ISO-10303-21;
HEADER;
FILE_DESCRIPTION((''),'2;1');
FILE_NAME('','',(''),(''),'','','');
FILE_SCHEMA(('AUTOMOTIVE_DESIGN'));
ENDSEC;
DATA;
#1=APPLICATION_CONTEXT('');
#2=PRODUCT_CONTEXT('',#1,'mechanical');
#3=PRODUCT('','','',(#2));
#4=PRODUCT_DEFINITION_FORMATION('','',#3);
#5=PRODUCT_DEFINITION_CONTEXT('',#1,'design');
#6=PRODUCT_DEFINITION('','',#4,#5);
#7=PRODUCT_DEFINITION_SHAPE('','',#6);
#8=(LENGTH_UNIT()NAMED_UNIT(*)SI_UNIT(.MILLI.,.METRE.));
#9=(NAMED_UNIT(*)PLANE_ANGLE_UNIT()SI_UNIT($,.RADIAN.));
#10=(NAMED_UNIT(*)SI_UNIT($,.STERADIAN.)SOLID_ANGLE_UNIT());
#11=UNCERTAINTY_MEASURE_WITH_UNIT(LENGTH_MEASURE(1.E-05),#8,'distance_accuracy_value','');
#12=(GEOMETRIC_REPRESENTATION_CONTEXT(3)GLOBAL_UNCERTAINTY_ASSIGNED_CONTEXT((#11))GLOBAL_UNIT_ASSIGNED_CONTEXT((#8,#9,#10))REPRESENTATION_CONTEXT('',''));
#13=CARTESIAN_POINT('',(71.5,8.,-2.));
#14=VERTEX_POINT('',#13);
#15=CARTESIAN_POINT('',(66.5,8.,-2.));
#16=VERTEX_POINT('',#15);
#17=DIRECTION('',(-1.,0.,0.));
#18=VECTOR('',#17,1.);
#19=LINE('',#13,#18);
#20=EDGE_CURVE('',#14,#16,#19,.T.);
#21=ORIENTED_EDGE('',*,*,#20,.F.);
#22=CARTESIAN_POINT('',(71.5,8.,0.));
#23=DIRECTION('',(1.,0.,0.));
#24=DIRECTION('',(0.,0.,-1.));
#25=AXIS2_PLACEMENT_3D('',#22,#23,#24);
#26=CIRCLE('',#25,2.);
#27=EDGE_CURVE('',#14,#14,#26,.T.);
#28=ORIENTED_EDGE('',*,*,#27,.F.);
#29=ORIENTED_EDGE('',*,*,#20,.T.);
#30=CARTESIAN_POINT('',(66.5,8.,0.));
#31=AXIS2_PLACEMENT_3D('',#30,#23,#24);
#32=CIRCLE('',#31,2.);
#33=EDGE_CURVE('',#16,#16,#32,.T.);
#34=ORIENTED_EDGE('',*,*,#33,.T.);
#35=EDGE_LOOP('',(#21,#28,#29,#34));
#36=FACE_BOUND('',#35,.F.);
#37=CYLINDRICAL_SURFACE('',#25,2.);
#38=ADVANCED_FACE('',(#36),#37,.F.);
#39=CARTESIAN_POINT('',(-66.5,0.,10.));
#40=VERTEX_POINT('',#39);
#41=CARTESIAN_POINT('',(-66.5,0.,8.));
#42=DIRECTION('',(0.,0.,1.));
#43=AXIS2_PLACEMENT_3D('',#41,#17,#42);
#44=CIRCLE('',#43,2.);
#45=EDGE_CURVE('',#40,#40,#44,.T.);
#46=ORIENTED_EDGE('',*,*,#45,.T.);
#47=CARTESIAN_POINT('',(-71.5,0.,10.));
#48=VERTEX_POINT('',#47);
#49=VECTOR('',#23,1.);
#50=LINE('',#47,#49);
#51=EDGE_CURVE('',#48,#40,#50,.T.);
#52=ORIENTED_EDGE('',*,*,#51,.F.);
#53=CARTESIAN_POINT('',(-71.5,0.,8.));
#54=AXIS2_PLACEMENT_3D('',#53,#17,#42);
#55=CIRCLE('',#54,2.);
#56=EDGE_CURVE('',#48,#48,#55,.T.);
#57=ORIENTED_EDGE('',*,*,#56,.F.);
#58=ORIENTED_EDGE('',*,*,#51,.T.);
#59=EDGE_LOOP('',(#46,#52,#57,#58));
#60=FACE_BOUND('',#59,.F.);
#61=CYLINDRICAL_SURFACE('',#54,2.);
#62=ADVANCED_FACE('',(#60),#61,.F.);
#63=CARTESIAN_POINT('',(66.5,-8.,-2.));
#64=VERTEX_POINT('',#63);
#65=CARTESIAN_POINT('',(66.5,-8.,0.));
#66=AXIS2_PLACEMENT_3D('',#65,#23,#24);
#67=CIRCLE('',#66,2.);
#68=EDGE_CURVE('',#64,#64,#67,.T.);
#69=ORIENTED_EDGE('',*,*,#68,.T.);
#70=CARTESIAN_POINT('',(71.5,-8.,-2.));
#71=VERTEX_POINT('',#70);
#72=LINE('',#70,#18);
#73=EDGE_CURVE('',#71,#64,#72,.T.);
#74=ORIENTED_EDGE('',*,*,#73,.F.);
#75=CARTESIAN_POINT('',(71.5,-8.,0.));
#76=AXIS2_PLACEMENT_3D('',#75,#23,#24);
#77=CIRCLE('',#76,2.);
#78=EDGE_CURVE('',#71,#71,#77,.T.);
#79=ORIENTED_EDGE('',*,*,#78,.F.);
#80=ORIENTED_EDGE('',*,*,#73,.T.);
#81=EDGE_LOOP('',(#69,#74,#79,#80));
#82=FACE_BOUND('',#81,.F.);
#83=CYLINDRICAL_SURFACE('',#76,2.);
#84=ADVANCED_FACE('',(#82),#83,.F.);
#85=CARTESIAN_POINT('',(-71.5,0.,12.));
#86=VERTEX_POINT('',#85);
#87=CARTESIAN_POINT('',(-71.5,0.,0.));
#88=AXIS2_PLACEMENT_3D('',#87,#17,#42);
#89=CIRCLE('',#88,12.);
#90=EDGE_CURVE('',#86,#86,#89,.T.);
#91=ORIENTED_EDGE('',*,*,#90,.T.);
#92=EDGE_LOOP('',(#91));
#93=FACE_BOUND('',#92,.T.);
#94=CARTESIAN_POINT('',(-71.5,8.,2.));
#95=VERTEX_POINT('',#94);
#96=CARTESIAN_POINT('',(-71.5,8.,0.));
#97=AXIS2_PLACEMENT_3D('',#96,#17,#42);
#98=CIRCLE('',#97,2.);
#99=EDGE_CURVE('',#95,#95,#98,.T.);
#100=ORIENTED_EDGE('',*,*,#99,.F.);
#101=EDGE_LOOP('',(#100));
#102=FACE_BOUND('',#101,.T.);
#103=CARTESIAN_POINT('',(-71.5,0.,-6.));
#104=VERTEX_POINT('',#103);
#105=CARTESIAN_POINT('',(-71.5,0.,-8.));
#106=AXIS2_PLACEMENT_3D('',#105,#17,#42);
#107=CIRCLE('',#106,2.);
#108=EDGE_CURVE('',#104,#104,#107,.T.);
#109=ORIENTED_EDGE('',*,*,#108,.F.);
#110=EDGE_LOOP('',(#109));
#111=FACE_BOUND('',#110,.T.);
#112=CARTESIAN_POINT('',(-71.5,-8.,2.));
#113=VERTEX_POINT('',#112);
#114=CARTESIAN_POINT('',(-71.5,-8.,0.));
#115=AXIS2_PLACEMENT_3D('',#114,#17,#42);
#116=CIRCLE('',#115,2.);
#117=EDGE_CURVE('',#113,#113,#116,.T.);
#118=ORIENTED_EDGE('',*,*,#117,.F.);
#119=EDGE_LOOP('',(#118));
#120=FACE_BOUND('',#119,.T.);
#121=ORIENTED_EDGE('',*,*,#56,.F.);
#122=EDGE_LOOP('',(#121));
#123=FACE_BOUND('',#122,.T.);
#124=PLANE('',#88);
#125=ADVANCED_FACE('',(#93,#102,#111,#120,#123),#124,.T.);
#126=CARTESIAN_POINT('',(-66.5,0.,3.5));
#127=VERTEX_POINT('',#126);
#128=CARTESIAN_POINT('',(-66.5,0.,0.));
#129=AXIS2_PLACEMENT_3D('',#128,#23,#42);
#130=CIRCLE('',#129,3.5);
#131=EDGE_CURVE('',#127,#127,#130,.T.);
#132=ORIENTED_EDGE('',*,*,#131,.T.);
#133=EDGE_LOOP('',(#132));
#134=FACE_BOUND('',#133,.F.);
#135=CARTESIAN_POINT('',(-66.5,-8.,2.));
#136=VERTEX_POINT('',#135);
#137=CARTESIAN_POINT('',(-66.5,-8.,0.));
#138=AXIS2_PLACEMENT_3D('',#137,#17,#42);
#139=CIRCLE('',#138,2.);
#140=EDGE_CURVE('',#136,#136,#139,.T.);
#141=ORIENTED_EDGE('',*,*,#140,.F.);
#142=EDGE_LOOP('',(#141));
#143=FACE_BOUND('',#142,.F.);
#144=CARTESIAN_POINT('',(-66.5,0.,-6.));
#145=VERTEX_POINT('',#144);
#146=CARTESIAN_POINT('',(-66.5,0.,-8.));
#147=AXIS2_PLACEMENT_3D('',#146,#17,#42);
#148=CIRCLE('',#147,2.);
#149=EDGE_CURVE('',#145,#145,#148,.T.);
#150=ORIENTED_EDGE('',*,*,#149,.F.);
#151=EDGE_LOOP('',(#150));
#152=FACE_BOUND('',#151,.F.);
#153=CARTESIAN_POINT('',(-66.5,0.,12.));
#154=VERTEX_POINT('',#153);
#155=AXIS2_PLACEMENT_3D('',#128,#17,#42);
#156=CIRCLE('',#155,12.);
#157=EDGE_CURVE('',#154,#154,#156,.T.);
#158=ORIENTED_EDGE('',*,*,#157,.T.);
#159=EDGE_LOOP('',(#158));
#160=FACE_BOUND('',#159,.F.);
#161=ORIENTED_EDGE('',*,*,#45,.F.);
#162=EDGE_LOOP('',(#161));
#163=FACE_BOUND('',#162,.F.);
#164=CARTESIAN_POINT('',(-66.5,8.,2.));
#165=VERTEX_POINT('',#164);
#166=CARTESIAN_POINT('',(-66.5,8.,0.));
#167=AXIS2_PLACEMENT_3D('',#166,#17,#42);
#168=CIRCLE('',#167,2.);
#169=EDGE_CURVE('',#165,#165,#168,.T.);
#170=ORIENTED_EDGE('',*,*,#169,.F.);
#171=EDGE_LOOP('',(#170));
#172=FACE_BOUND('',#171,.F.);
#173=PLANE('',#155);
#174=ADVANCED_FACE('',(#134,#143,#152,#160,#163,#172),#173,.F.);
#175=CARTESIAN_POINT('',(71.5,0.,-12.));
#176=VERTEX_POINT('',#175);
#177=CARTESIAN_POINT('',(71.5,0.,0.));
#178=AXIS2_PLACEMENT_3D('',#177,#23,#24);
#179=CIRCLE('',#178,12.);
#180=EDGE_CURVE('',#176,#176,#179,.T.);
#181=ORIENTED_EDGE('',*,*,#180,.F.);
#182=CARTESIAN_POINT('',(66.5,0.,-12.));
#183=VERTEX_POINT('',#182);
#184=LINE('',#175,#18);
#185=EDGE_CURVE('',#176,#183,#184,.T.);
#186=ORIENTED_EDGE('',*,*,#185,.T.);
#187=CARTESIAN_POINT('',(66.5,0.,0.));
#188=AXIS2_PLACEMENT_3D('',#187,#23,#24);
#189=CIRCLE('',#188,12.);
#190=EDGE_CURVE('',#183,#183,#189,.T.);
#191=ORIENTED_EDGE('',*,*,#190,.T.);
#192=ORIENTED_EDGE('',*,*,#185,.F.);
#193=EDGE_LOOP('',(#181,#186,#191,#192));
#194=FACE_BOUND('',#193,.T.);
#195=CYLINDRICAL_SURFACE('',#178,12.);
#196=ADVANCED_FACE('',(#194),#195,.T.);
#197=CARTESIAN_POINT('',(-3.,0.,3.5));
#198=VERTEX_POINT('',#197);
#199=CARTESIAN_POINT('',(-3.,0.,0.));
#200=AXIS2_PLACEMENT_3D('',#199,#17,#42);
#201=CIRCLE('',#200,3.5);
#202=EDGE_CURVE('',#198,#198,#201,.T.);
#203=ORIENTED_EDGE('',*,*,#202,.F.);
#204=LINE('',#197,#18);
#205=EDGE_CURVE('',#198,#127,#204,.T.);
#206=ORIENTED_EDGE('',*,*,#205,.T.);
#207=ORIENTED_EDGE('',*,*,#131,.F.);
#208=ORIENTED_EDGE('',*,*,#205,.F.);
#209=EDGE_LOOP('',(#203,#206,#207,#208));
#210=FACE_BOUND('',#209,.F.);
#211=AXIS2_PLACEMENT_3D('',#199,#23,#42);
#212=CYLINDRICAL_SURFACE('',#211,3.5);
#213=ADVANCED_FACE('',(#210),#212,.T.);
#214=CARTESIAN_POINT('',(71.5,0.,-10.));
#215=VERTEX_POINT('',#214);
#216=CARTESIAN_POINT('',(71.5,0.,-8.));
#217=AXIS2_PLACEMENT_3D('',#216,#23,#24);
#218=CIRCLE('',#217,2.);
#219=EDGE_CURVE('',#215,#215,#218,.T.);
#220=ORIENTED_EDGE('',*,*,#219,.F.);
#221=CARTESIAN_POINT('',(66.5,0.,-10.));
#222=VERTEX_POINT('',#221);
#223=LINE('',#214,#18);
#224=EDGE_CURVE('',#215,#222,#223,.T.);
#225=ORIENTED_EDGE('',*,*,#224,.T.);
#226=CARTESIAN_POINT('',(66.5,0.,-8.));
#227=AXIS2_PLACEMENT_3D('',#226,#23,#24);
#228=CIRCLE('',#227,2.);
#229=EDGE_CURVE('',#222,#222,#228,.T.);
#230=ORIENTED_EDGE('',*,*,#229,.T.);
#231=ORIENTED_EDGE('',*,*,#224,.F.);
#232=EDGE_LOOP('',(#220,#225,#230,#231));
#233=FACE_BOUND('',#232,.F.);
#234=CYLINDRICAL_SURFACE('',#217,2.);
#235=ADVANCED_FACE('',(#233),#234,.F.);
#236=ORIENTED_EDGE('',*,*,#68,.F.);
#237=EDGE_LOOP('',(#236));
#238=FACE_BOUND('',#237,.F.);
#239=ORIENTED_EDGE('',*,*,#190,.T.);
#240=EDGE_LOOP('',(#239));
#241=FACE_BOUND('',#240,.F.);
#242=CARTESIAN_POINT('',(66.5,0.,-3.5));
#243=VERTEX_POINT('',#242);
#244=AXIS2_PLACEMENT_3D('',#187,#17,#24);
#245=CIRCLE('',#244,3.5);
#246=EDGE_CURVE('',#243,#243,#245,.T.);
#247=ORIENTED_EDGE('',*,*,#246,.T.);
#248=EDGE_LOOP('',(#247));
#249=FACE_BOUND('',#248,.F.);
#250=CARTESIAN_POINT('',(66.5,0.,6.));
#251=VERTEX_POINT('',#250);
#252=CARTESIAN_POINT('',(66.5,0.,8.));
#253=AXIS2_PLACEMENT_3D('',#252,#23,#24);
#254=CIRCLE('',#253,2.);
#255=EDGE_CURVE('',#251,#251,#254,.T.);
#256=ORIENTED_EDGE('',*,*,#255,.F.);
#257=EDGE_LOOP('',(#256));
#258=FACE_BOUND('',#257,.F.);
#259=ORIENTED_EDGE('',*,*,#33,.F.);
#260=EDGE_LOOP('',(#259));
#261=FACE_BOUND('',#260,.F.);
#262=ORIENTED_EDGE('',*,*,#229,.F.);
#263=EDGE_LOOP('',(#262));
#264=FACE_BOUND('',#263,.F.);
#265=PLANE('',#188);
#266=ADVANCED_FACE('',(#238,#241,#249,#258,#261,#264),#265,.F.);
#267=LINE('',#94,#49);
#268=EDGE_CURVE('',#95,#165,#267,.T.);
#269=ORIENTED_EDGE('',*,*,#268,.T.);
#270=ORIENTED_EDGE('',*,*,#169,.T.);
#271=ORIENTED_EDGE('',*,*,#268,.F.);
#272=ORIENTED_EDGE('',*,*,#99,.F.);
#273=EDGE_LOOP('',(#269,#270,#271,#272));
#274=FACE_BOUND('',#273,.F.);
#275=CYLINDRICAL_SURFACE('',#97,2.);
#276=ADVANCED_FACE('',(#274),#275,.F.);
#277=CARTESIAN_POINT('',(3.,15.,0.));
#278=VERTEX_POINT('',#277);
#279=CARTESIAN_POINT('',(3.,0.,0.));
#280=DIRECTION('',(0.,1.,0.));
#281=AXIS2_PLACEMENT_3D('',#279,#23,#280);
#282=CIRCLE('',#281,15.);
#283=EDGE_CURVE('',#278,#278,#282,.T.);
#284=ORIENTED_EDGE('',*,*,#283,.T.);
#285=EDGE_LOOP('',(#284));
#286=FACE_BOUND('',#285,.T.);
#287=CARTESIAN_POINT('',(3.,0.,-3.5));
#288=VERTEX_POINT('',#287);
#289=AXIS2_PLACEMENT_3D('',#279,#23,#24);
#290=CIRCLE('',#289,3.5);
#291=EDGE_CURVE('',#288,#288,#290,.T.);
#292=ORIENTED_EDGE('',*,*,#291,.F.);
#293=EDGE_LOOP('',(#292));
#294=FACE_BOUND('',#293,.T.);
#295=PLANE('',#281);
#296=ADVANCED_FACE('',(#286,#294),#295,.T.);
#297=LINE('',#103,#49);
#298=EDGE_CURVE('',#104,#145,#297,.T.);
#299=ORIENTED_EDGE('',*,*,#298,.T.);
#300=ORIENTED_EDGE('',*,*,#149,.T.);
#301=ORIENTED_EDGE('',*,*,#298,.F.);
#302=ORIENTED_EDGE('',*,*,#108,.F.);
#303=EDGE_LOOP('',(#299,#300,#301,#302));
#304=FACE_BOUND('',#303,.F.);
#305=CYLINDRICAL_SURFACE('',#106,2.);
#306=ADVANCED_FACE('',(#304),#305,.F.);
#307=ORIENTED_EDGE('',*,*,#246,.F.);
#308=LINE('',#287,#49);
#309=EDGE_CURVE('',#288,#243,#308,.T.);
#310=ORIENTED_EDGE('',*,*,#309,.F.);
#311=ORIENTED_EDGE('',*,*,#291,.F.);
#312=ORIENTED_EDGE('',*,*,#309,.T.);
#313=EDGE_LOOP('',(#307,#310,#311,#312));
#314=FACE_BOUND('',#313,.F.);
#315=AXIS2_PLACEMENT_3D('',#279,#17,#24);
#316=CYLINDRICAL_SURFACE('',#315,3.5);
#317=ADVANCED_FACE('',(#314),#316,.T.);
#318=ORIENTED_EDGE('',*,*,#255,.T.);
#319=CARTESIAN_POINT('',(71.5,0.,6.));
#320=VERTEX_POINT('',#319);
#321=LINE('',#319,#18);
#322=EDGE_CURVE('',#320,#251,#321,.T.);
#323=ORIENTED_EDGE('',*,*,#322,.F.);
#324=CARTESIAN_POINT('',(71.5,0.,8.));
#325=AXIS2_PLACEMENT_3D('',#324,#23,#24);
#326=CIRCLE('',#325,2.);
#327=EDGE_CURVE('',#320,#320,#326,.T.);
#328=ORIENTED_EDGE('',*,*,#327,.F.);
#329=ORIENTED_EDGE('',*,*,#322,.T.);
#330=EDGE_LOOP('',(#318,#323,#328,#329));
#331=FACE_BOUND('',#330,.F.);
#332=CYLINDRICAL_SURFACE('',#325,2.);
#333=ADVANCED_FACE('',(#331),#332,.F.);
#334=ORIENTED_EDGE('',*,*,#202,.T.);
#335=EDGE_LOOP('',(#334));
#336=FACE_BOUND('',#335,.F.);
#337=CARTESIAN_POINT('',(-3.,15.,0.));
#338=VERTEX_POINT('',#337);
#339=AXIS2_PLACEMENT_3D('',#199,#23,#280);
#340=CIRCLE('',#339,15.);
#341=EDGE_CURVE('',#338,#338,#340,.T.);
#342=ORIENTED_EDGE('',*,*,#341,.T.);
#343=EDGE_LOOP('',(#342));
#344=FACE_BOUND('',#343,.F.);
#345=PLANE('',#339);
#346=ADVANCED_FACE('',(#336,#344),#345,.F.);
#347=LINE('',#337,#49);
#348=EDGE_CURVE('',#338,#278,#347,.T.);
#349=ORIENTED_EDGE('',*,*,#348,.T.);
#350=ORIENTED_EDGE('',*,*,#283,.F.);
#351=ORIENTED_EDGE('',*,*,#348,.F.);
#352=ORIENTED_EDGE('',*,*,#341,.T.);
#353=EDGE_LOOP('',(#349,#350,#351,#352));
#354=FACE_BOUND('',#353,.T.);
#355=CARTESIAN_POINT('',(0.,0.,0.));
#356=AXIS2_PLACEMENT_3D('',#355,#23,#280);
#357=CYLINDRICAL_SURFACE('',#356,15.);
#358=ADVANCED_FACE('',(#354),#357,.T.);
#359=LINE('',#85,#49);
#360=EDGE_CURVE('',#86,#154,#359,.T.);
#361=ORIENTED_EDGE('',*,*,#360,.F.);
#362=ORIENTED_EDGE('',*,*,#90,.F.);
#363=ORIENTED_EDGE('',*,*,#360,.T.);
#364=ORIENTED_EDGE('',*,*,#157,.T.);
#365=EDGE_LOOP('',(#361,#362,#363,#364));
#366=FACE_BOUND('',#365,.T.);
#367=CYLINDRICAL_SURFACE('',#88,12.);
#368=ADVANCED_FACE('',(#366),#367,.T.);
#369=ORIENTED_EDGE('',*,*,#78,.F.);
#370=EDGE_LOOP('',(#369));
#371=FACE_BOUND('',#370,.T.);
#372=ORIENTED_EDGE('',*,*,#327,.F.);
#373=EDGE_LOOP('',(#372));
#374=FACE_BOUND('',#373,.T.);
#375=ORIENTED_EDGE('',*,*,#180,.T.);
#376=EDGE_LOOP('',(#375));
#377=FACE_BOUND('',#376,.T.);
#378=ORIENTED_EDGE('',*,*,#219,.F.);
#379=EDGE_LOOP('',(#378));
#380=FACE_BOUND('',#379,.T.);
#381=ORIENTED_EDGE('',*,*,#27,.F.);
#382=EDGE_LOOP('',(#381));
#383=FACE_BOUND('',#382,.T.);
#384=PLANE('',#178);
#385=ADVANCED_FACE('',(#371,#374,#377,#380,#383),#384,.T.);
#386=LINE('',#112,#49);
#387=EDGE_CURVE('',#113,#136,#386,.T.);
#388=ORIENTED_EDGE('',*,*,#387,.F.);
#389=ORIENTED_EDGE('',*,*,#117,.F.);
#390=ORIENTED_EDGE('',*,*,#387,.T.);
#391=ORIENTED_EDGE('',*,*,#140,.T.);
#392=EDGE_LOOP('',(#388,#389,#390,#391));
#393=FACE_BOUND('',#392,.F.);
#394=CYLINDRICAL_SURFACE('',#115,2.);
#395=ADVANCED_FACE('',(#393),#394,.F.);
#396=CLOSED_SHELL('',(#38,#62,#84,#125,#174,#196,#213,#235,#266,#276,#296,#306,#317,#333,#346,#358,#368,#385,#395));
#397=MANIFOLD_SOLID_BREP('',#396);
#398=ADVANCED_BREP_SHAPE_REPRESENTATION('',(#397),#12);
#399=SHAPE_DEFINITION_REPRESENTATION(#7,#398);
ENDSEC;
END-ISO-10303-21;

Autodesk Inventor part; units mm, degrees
ref_plane "YZ Plane" through (0, 0, 0) normal (1, 0, 0) x (0, 1, 0)
ref_plane "XZ Plane" through (0, 0, 0) normal (0, 1, 0) x (-1, 0, 0)
ref_plane "XY Plane" through (0, 0, 0) normal (0, 0, 1) x (1, 0, 0)
sketch "草圖1" plane through (0, 0, 0) normal (1, 0, 0) x (0, 1, 0)
  circle A0 centre (0, 0) radius 15
  dimension "d0" = 30
extrude "擠出1" add sketch "草圖1" along normal mid plane 6
sketch "草圖2" plane through (3, 0, 0) normal (1, 0, 0) x (0, 0, -1)
  circle A0 centre (0, 0) radius 3.5
  dimension "d3" = 7
extrude "擠出2" add sketch "草圖2" along normal blind 68.5
sketch "草圖3" plane through (-3, 0, 0) normal (-1, 0, 0) x (0, 0, 1)
  circle A0 centre (0, 0) radius 3.5
  dimension "d6" = 7
extrude "擠出3" add sketch "草圖3" along normal blind 68.5
sketch "草圖9" plane through (-71.5, 0, 0) normal (-1, 0, 0) x (0, 0, 1)
  circle A0 centre (0, 0) radius 12
  dimension "d27" = 24
extrude "擠出8" add sketch "草圖9" against normal blind 5
sketch "草圖11" plane through (71.5, 0, 0) normal (1, 0, 0) x (0, 0, -1)
  circle A0 centre (0, 0) radius 12
  dimension "d30" = 24
extrude "擠出9" add sketch "草圖11" against normal blind 5
sketch "草圖12" plane through (71.5, 0, 0) normal (1, 0, 0) x (0, 0, -1)
  circle A0 centre (0, -8) radius 2
  circle A1 centre (8, 0) radius 2
  circle A2 centre (0, 8) radius 2
  circle A3 centre (-8, 0) radius 2
  point P0 (0, 0)
  dimension "d33" = 4
  dimension "d36" = 360
extrude "擠出10" cut sketch "草圖12" against normal blind 5
sketch "草圖13" plane through (-71.5, 0, 0) normal (-1, 0, 0) x (0, 0, 1)
  circle A0 centre (0, -8) radius 2
  circle A1 centre (8, 0) radius 2
  circle A2 centre (0, 8) radius 2
  circle A3 centre (-8, 0) radius 2
  point P0 (0, 0)
  dimension "d40" = 4
  dimension "d43" = 360
extrude "擠出11" cut sketch "草圖13" against normal blind 5
properties part number "煞車桿"
